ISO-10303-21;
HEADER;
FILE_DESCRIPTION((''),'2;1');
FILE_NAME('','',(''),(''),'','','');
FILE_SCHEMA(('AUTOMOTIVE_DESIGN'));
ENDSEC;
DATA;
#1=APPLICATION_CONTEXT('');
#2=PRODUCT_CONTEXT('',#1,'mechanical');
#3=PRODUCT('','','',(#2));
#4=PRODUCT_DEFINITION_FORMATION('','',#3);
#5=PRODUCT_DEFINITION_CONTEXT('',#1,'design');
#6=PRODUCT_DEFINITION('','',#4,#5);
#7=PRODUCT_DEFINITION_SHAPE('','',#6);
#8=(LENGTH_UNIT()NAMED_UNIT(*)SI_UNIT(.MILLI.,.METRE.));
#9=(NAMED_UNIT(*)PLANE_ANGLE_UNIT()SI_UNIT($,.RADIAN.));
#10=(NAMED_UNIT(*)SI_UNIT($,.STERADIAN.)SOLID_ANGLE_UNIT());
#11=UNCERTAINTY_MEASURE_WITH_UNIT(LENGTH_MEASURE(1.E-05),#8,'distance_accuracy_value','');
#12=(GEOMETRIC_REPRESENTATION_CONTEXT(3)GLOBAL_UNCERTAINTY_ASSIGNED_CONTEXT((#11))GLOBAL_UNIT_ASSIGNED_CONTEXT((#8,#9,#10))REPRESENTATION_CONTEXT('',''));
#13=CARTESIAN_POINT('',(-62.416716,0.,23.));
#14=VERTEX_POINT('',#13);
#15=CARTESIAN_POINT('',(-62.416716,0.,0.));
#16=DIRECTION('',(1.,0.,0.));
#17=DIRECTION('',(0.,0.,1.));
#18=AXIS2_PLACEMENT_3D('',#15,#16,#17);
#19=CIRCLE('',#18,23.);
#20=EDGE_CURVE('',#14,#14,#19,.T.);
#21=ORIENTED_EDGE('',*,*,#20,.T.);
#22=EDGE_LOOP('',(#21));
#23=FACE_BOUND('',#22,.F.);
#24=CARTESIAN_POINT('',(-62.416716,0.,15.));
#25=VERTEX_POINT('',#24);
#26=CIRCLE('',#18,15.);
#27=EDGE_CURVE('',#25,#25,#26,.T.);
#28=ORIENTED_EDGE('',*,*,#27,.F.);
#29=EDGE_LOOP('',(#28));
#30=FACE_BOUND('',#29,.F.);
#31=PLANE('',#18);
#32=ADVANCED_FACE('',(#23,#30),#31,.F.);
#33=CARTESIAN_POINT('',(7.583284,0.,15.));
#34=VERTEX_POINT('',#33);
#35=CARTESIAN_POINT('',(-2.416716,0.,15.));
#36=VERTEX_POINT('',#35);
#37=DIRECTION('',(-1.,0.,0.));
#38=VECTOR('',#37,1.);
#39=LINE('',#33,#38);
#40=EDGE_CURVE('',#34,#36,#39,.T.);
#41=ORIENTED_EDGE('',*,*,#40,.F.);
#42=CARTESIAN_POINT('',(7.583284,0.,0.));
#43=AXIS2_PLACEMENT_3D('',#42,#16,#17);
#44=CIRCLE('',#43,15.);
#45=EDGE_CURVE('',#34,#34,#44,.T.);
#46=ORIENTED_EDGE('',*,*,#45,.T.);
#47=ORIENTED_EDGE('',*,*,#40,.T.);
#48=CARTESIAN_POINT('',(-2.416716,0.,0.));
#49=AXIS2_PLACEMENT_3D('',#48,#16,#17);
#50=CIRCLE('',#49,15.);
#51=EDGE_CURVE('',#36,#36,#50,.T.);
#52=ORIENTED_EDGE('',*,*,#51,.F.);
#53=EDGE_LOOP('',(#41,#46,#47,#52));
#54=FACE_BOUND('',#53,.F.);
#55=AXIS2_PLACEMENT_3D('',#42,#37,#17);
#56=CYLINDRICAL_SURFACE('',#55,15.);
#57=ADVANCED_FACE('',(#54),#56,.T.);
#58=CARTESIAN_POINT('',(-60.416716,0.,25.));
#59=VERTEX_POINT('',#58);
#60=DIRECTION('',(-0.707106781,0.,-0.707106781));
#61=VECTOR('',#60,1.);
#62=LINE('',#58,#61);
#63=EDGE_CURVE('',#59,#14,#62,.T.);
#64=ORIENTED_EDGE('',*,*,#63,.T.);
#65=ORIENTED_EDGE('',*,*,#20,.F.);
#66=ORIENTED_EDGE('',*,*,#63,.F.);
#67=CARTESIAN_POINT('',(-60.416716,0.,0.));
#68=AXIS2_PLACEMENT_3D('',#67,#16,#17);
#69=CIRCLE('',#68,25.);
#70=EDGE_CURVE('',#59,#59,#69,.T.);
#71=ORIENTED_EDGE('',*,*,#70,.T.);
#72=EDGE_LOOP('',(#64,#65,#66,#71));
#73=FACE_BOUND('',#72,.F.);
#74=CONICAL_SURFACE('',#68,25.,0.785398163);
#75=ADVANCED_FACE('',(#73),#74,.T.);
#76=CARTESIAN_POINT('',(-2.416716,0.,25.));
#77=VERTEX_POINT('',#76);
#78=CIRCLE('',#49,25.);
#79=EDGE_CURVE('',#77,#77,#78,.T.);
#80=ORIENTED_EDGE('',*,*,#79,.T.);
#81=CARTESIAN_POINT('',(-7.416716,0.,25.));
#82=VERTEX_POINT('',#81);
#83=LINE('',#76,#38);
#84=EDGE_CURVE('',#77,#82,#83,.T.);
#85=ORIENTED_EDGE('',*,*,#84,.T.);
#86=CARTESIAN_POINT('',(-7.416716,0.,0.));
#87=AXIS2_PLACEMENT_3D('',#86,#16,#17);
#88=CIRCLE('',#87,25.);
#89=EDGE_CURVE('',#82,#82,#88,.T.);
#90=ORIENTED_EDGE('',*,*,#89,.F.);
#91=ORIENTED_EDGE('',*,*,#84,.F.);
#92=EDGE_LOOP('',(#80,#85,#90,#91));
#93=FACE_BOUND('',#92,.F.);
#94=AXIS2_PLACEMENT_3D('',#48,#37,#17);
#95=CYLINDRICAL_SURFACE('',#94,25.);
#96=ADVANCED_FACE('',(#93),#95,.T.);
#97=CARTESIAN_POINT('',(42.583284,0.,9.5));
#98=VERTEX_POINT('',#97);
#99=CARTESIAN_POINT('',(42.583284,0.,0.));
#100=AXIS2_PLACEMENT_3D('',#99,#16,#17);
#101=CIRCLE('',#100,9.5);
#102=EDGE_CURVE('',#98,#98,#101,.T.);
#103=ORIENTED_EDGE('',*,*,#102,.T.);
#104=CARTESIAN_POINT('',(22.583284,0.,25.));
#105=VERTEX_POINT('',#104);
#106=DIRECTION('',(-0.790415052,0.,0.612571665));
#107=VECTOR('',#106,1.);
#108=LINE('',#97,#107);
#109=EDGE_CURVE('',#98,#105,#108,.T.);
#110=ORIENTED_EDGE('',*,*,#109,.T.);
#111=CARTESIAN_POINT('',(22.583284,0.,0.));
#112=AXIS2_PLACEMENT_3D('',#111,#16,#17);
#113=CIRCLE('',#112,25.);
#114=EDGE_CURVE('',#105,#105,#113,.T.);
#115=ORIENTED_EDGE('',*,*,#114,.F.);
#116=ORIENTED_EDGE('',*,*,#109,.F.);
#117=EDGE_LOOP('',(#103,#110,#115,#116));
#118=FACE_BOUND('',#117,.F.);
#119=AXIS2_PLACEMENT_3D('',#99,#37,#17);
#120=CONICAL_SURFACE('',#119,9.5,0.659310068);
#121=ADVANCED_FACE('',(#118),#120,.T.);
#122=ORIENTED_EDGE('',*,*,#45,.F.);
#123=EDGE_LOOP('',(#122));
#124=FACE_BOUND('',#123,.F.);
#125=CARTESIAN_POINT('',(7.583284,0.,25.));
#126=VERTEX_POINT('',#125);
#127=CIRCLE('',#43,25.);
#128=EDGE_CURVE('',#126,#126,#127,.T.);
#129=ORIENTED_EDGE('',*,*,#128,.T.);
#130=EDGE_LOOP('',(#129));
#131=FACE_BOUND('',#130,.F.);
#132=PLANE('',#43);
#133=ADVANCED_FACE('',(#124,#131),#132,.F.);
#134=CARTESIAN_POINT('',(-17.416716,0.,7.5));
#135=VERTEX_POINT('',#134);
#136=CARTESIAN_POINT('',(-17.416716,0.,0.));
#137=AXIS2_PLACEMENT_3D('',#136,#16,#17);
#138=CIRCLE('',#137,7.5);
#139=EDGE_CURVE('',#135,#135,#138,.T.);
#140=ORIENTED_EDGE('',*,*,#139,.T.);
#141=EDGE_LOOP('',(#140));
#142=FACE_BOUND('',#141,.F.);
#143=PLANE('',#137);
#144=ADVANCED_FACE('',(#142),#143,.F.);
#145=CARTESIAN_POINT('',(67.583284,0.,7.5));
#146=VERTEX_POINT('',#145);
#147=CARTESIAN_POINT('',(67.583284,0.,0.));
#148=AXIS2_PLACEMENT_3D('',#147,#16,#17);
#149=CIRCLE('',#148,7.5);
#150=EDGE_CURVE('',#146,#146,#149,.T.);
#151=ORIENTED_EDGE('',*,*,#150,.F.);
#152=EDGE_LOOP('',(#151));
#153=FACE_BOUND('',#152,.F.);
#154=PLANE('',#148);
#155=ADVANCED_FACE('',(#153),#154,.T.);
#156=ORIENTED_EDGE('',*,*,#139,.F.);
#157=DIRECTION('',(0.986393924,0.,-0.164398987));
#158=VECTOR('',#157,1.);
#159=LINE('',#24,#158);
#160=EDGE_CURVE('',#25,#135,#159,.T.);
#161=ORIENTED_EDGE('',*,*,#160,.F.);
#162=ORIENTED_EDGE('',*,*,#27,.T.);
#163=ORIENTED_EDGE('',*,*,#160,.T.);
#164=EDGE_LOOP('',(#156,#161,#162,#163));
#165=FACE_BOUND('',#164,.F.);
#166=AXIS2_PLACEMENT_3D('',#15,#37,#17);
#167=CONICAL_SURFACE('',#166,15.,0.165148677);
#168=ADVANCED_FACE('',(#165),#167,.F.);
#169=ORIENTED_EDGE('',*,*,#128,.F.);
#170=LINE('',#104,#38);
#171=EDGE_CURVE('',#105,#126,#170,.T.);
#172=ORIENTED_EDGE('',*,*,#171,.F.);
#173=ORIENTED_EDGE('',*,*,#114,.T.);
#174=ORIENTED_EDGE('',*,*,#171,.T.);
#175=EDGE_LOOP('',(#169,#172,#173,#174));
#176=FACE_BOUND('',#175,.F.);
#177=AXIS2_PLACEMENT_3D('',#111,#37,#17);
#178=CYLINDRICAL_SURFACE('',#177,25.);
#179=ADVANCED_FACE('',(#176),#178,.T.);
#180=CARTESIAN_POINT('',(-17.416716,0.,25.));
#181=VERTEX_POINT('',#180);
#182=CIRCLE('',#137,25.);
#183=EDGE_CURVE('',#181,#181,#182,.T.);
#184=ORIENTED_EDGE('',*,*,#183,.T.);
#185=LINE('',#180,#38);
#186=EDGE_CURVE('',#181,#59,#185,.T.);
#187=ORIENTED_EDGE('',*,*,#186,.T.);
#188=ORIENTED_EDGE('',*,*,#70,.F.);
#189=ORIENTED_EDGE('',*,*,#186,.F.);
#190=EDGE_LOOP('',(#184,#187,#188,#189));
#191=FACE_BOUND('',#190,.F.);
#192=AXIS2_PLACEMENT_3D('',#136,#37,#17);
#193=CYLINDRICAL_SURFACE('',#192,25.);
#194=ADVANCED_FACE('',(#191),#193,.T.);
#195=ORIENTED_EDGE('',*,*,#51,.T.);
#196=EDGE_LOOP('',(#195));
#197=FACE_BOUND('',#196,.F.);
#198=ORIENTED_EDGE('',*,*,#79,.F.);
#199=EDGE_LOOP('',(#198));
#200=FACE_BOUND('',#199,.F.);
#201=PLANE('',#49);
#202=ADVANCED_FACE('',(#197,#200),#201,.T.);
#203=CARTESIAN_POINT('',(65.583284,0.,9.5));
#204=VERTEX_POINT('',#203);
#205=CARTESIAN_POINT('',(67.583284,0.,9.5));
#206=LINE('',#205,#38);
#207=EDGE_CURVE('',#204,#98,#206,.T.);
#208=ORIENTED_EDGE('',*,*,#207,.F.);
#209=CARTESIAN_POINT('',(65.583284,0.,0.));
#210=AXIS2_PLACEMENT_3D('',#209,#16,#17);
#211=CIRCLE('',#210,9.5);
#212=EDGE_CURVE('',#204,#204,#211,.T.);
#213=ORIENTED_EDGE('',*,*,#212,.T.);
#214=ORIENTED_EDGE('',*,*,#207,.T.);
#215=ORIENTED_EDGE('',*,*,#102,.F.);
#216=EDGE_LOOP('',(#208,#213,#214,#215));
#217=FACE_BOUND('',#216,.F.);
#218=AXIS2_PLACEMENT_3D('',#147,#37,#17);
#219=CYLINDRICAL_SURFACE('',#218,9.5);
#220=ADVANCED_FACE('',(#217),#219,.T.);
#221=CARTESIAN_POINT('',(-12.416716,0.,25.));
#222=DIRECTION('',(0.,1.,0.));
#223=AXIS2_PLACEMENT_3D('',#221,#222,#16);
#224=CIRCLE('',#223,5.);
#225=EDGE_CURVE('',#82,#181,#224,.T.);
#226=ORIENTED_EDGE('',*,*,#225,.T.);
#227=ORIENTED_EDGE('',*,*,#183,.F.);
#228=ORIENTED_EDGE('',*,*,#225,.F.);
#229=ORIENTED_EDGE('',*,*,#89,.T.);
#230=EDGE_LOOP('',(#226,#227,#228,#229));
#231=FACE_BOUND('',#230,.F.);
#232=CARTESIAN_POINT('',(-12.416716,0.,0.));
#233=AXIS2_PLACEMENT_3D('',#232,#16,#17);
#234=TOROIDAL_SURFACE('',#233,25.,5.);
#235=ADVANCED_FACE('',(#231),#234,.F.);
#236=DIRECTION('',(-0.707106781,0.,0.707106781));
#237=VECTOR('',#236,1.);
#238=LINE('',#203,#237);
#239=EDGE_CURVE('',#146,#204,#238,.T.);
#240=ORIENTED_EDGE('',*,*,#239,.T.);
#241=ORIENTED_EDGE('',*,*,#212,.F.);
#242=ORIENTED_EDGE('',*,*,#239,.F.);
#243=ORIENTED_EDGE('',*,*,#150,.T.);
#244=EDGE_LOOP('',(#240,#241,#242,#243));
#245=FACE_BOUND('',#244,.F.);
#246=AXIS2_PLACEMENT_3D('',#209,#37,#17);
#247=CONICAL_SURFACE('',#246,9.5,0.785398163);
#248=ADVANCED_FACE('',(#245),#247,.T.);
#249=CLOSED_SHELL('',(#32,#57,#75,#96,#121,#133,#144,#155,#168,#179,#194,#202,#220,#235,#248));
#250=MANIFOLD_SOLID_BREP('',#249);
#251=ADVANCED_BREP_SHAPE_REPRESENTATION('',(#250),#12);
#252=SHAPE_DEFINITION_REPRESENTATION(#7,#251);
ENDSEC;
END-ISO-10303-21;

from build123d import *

# Parameters (mm, degrees)
F2_SIZE = 2


with BuildPart() as f1:
    # F0 (on Front) → F1 (revolve)
    with BuildSketch(Plane.XZ):
        with BuildLine():
            Line((-17.416716, 25), (-62.416716, 25))
            Line((-62.416716, 25), (-62.416716, 15))
            Line((-62.416716, 15), (-17.416716, 7.5))
            Line((-17.416716, 7.5), (-17.416716, 0))
            Line((-17.416716, 0), (67.583284, 0))
            Line((67.583284, 0), (67.583284, 9.5))
            Line((67.583284, 9.5), (42.583284, 9.5))
            Line((42.583284, 9.5), (22.583284, 25))
            Line((22.583284, 25), (7.583284, 25))
            Line((7.583284, 25), (7.583284, 15))
            Line((7.583284, 15), (-2.416716, 15))
            Line((-2.416716, 15), (-2.416716, 25))
            Line((-2.416716, 25), (-7.416716, 25))
            ThreePointArc((-7.416716, 25), (-12.416716, 20), (-17.416716, 25))
        make_face()
    revolve(axis=Axis((8.583733, 0, 0), (1, 0, 0)))

    # F2
    f2_edges = [f1.edges().sort_by_distance(p)[0] for p in [
        (-62.416716, 0, -25),
        (67.583284, 0, -9.5),
    ]]
    chamfer(f2_edges, length=F2_SIZE)


solid = f1.part
